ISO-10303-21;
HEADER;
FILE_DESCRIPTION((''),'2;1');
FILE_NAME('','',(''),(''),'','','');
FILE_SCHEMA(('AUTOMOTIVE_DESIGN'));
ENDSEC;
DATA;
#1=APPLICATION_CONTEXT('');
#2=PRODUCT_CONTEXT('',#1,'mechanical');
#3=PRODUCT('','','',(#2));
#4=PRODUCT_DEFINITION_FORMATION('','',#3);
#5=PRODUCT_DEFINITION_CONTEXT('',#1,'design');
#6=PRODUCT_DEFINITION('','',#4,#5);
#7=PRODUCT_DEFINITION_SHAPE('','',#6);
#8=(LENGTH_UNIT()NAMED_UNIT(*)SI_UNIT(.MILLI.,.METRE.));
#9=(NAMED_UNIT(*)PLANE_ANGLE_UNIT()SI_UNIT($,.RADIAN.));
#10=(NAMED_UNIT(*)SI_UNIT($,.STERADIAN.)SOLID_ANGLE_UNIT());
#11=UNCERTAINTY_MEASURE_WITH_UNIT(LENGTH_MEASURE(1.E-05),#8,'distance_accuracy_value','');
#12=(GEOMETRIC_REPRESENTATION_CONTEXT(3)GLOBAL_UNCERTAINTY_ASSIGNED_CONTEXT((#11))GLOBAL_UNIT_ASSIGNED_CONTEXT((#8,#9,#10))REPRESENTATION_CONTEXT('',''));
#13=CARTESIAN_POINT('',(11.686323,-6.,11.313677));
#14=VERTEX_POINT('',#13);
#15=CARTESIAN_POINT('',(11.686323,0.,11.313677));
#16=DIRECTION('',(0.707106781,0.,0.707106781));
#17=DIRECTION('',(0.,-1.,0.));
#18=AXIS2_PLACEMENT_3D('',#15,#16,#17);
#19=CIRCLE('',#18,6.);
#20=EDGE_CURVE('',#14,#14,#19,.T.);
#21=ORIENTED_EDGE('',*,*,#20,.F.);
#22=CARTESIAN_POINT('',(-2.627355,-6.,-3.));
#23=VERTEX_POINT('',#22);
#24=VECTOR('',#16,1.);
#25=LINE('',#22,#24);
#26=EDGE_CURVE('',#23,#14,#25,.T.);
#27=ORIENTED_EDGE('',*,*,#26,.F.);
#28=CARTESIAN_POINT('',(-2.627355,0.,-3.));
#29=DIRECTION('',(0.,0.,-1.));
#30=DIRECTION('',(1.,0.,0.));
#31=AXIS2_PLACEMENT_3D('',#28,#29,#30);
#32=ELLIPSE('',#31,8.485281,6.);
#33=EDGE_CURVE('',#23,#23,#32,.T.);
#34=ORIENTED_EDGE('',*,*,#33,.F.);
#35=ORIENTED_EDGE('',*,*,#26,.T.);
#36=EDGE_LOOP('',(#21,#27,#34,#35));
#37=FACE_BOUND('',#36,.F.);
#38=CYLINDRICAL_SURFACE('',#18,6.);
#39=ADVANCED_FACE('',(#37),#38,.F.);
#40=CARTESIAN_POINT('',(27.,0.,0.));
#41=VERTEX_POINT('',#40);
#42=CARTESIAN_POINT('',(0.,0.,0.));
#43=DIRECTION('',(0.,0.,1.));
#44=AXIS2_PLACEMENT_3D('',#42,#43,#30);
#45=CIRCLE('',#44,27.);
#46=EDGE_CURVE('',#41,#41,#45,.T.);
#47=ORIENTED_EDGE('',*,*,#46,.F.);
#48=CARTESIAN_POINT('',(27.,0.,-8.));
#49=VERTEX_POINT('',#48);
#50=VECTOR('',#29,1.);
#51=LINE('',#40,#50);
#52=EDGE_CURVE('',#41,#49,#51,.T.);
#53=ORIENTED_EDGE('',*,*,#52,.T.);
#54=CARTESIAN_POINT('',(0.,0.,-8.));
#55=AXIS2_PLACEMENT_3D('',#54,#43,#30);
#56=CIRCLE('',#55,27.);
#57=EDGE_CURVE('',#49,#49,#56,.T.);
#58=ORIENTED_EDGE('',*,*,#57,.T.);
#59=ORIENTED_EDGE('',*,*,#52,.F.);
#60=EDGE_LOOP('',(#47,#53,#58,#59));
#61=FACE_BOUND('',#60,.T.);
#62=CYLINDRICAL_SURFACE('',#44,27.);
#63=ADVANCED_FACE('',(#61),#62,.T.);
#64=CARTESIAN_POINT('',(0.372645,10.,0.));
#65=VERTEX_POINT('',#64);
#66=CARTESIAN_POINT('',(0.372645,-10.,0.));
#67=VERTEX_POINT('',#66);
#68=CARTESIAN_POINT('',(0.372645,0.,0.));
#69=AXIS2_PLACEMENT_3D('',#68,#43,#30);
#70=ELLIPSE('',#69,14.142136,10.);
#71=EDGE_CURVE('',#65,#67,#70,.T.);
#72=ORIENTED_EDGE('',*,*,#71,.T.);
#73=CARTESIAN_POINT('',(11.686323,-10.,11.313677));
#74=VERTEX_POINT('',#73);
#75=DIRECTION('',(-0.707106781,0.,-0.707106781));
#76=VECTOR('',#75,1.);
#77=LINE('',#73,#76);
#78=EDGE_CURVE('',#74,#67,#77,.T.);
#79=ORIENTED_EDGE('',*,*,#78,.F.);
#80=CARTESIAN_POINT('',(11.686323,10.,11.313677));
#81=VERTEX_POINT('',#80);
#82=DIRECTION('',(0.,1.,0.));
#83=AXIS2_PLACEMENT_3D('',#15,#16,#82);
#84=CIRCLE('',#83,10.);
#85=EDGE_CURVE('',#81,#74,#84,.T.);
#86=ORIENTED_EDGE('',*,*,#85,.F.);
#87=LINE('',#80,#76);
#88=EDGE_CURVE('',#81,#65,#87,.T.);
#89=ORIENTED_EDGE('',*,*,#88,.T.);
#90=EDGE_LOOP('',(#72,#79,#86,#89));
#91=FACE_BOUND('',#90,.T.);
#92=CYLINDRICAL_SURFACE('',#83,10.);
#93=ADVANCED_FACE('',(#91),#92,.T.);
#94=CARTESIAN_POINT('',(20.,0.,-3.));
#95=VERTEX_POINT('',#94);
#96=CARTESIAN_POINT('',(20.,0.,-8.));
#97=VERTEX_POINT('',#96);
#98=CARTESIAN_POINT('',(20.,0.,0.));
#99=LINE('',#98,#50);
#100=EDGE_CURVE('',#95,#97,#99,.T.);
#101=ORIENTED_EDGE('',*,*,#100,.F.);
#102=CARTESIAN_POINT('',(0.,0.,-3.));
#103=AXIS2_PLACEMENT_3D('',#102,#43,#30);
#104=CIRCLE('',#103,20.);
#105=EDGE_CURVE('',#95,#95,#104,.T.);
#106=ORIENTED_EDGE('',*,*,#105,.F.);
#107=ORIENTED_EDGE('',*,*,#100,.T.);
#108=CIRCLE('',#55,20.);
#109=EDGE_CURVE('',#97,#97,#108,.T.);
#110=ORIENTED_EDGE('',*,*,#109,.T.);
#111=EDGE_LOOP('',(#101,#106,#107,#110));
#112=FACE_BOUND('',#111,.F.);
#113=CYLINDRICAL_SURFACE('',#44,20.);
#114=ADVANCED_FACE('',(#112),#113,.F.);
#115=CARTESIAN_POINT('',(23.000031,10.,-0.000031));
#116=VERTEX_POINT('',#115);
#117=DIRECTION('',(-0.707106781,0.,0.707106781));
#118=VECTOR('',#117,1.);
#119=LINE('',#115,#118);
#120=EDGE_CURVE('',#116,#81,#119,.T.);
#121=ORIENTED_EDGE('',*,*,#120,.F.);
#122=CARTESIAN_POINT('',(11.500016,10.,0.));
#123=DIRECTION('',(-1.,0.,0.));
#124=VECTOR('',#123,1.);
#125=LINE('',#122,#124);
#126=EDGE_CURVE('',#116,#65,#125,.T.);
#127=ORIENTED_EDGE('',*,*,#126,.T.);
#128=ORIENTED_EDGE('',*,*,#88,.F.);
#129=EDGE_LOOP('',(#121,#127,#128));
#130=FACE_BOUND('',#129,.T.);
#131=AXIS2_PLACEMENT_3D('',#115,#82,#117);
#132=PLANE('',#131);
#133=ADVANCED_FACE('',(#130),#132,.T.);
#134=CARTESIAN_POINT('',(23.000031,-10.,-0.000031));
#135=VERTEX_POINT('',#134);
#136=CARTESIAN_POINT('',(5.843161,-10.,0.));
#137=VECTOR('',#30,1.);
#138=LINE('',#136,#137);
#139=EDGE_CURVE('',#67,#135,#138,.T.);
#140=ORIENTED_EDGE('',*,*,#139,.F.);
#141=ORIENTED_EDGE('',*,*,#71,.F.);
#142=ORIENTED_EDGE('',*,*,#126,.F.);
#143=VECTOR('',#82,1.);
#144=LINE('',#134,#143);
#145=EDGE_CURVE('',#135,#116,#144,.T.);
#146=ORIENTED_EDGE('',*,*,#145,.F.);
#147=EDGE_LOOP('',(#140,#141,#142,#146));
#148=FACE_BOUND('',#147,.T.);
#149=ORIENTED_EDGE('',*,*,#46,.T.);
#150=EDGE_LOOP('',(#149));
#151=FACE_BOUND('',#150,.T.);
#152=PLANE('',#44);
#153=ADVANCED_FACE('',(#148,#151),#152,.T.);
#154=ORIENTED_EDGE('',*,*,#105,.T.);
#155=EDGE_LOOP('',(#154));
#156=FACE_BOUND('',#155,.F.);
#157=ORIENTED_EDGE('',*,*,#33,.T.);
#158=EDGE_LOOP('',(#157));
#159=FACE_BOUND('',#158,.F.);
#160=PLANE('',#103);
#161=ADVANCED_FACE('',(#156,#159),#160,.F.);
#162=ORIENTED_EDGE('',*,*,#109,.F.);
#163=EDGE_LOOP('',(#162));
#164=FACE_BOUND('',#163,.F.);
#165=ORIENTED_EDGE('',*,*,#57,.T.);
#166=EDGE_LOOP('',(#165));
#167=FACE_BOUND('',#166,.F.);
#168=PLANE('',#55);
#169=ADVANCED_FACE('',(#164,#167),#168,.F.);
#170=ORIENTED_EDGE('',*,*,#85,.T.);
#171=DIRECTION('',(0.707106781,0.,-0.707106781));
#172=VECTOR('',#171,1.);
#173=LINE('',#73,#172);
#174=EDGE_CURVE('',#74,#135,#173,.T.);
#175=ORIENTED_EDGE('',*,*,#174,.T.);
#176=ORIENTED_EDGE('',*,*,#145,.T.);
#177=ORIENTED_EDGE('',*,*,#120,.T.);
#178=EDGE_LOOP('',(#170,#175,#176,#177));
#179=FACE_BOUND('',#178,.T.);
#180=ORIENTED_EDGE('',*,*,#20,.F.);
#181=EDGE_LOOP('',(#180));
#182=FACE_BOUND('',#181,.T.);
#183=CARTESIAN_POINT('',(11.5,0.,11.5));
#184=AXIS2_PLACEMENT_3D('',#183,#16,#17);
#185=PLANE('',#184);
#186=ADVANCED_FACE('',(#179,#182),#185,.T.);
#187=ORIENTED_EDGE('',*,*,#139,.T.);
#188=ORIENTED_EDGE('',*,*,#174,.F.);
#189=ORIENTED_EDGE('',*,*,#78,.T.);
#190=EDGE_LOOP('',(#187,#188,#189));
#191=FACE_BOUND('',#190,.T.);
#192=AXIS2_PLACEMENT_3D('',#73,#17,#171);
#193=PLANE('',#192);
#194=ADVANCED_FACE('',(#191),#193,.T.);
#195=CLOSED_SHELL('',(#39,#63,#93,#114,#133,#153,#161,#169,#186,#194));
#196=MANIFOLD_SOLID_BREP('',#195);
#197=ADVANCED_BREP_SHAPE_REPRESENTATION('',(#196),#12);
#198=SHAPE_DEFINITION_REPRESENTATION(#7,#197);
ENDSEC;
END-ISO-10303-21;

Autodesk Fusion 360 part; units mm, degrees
sketch "草图1" plane through (0, 0, 0) normal (0, 0, 1) x (1, 0, 0)
  circle A0 centre (0, 0) radius 27
  circle A1 centre (0, 0) radius 20
  dimension "d1" = 54
  dimension "d2" = 40
extrude "拉伸1" add sketch "草图1" against normal blind 8
extrude "拉伸2" add sketch "草图1" against normal blind 3 contours A1
sketch "草图2" plane through (0, 0, 0) normal (0, 0, 1) x (-1, 0, 0)
  circle A0 centre (0, 0) radius 27
  line L0 (-23, -10) -> (-23, 10)
  line L1 (30, 0) -> (-47, 0) construction
  dimension "d7" = 20
  dimension "d8" = 23
ref_plane "工作平面1" through (23, 0, 0) normal (0.7071, 0, 0.7071) x (0, -1, 0)
sketch "草图3" plane through (11.5, 0, 11.5) normal (0.7071, 0, 0.7071) x (0, -1, 0)
  circle A0 centre (0, 0.2635) radius 6
  line L0 (10, 0.2635) -> (10, 16.2635)
  line L1 (10, 16.2635) -> (-10, 16.2635)
  line L2 (-10, 16.2635) -> (-10, 0.2635)
  line L3 (0, 0) -> (0, 19) construction
  arc A1 (-10, 0.2635) -> (10, 0.2635) centre (0, 0.2635) ccw
  dimension "d10" = 10
  dimension "d11" = 12
  dimension "d12" = 16
extrude "拉伸3" add sketch "草图3" along normal up to surface end surface through (0, 0, -3) normal (0, 0, -1) offset 0
extrude "拉伸4" cut sketch "草图3" along normal up to surface contours A0 end surface through (0, 0, -3) normal (0, 0, -1) offset 0
